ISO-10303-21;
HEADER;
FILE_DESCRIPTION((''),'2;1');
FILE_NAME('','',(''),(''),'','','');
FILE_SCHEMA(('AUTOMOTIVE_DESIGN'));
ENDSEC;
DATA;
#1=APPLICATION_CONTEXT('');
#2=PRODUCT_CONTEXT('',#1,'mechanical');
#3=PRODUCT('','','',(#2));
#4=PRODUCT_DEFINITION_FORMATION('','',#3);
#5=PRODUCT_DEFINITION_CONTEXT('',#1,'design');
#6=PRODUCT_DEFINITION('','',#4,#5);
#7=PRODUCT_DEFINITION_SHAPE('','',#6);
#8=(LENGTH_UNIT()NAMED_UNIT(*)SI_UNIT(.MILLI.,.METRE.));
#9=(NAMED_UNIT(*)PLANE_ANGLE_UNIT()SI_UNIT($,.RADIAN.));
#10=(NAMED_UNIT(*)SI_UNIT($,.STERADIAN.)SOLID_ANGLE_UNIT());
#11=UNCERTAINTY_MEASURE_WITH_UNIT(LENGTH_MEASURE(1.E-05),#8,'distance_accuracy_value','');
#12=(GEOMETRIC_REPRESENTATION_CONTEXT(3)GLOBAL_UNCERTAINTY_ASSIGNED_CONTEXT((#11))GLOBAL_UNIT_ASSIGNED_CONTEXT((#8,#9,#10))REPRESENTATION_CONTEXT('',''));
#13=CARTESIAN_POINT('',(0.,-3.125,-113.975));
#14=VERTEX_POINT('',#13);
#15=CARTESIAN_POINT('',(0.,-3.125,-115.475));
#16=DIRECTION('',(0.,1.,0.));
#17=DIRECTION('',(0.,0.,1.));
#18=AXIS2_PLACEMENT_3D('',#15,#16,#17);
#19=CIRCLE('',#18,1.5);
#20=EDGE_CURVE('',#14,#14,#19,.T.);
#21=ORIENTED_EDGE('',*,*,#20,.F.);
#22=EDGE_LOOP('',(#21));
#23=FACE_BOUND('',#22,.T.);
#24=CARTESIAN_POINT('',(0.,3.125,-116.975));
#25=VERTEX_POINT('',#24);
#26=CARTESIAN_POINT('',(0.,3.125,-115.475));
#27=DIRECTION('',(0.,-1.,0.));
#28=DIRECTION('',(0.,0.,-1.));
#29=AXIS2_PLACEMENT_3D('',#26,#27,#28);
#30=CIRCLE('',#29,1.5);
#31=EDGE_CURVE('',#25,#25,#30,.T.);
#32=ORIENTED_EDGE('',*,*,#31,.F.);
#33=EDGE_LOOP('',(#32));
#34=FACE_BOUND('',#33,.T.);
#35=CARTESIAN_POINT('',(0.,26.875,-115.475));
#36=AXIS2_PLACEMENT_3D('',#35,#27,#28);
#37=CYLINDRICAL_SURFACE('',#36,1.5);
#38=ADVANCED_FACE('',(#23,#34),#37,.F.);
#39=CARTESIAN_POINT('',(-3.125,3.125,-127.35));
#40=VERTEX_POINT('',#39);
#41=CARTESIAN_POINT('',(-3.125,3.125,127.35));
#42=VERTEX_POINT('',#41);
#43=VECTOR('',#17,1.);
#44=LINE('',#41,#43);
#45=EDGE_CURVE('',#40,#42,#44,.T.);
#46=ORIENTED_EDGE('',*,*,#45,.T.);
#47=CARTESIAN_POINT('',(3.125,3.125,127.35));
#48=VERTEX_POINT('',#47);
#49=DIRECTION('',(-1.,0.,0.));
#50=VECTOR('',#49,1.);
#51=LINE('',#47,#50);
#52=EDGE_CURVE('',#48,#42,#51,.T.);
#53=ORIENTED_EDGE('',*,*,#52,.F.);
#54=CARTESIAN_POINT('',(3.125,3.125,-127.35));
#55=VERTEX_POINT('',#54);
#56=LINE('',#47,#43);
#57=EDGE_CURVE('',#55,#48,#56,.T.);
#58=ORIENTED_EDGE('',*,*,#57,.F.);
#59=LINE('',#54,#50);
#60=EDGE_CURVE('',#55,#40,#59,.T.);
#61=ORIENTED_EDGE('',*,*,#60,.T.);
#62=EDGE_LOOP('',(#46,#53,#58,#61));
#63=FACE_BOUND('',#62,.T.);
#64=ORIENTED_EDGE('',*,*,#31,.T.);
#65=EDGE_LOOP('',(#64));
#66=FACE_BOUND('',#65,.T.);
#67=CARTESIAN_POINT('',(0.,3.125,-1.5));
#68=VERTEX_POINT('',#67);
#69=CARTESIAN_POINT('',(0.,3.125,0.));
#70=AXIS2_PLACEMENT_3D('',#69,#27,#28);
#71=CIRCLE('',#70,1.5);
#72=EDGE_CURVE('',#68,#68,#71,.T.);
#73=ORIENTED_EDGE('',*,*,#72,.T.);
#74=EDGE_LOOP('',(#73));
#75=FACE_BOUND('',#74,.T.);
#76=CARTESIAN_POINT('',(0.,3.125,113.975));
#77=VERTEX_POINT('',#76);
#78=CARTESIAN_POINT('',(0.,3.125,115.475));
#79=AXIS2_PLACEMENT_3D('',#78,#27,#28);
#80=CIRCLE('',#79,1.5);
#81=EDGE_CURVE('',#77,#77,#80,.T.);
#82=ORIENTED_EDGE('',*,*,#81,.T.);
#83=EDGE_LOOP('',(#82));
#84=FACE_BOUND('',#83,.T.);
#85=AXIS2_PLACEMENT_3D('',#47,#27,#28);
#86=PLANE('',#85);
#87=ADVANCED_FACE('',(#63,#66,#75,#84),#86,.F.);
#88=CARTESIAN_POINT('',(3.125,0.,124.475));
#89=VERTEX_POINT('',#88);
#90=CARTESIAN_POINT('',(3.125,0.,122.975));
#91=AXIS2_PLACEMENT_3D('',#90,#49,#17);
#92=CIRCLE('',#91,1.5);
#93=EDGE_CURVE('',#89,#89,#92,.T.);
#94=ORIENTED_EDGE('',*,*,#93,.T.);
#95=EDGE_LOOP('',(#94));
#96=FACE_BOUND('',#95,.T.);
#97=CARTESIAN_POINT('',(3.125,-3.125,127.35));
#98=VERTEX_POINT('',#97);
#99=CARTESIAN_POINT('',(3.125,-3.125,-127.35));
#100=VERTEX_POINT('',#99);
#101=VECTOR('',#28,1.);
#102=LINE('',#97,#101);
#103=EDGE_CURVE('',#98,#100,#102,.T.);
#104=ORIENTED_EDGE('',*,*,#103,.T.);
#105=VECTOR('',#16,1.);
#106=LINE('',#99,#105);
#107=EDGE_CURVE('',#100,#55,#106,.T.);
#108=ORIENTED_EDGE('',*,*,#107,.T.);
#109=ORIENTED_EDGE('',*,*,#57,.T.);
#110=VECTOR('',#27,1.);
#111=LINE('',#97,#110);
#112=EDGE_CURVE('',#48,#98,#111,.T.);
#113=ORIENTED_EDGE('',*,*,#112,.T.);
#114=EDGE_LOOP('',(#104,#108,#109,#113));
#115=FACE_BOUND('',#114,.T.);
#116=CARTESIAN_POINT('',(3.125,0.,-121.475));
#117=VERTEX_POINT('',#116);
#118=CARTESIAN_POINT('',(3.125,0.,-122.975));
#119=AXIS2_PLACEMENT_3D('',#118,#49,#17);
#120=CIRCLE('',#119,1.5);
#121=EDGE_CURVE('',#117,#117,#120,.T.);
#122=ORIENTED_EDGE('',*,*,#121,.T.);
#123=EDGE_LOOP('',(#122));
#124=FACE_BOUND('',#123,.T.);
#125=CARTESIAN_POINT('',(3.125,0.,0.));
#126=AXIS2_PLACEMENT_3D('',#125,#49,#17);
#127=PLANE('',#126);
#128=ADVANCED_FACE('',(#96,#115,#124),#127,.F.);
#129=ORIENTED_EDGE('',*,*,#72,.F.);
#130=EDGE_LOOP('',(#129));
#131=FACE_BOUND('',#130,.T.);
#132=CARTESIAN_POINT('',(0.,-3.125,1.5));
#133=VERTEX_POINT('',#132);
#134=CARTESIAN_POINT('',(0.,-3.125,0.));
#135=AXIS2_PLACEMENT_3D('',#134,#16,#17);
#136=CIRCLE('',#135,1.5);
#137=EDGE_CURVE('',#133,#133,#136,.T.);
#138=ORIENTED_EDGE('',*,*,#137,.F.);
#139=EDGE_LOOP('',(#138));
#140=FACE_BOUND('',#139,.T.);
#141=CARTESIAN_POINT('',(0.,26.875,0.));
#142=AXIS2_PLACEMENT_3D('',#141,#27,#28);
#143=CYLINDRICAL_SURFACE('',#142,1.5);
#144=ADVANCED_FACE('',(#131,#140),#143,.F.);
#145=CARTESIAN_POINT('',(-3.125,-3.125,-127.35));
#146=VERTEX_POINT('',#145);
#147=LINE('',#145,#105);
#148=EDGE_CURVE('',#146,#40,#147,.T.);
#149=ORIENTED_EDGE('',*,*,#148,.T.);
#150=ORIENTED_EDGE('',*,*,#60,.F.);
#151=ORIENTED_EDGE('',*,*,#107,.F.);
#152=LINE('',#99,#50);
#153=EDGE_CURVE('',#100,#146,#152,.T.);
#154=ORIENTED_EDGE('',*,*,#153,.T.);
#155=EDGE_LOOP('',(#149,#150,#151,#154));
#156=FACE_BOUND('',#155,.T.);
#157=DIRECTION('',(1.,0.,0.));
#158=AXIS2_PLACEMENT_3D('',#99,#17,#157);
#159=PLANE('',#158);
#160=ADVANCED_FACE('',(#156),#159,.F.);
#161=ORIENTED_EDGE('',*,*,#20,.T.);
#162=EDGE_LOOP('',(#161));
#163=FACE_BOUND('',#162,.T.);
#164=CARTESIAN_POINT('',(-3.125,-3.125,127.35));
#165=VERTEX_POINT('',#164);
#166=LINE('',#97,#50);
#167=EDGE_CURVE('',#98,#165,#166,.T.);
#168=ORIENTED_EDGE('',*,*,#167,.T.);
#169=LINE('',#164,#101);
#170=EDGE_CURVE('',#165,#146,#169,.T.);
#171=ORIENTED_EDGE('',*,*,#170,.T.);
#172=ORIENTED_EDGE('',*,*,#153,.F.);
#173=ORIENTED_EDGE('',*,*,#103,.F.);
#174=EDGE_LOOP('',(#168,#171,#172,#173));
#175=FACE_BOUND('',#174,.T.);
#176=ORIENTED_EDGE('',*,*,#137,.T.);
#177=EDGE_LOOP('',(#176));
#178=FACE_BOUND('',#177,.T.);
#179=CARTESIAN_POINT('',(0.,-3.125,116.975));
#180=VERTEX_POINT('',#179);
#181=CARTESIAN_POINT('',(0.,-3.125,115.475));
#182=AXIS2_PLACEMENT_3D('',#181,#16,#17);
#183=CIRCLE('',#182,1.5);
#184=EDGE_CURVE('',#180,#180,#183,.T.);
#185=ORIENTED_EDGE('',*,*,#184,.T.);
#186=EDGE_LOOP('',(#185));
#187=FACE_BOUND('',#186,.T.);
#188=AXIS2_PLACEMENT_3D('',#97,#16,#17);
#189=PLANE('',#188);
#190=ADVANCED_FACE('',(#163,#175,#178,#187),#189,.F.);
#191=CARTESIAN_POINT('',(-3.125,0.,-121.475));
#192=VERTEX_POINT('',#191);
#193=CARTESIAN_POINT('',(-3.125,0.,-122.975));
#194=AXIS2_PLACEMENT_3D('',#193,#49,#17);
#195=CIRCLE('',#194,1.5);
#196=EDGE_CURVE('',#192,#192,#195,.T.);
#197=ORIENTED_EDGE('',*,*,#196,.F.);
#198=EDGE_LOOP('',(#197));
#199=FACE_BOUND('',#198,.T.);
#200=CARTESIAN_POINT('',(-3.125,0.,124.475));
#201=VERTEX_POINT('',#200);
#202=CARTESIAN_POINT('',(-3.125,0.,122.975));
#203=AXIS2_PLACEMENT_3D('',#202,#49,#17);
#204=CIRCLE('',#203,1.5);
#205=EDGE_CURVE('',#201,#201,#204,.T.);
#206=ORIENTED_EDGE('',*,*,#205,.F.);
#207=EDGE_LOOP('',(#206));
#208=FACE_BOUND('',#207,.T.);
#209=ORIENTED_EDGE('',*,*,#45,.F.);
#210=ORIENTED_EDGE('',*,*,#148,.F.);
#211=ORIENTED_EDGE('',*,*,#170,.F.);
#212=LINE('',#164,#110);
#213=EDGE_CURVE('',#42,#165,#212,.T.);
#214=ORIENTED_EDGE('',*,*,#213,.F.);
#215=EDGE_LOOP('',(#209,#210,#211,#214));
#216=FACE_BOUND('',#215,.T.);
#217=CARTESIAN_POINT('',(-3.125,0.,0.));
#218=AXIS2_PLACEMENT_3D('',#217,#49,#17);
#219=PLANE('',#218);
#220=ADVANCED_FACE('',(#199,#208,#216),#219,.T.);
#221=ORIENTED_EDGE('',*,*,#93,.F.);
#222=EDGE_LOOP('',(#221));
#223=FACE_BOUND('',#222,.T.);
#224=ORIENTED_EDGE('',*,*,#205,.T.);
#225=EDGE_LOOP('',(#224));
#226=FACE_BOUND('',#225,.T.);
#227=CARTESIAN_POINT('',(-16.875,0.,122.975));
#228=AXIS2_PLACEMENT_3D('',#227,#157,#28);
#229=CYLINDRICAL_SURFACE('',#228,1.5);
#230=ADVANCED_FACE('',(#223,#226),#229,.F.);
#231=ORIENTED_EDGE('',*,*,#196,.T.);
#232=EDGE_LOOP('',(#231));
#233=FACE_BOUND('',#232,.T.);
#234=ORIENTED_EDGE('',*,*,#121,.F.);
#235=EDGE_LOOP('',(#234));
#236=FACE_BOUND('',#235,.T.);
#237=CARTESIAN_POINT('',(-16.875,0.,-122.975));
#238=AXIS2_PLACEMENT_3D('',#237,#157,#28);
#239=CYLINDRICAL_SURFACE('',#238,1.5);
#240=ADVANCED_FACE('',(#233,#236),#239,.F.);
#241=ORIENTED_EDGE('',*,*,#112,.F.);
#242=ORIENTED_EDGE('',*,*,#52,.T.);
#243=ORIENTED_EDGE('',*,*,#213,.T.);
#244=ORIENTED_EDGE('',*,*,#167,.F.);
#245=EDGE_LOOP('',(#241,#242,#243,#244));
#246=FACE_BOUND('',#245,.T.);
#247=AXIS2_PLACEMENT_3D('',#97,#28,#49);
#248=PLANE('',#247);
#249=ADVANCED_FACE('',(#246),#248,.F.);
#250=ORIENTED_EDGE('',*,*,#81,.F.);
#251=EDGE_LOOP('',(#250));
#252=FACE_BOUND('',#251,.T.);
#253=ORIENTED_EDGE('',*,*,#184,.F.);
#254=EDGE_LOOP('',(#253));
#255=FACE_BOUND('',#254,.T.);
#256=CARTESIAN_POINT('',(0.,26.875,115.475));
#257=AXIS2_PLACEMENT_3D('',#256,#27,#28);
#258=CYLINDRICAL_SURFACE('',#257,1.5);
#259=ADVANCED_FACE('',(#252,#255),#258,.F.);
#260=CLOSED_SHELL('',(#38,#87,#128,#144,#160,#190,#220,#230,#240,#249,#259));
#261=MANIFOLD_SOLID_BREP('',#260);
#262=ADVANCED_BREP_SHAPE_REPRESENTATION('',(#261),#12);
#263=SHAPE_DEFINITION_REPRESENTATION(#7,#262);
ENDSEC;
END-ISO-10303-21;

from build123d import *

# Parameters (mm, degrees)
CROQUIS1_W              = 254.7
CROQUIS1_H              = 6.25
SALIENTE_EXTRUIR1_DEPTH = 3.125
CROQUIS2_R              = 1.5
CORTAR_EXTRUIR1_DEPTH   = 20
CROQUIS3_R              = 1.5
CORTAR_EXTRUIR2_DEPTH   = 30


with BuildPart() as part:
    # Croquis1 → Saliente-Extruir1 (new, symmetric)
    with BuildSketch(Plane(origin=(0, 0, 0), x_dir=(0, 0, -1), z_dir=(1, 0, 0))):
        Rectangle(CROQUIS1_W, CROQUIS1_H)
    extrude(amount=SALIENTE_EXTRUIR1_DEPTH, both=True)

    # Croquis2 → Cortar-Extruir1 (cut, symmetric)
    with BuildSketch(Plane(origin=(3.125, 0, 0), x_dir=(0, 0, -1), z_dir=(1, 0, 0))):
        with Locations(Location((-122.975, 0, 0), (0, 0, 180))):
            Circle(CROQUIS2_R)
        with Locations(Location((122.975, 0, 0), (0, 0, 180))):
            Circle(CROQUIS2_R)
    extrude(amount=CORTAR_EXTRUIR1_DEPTH, both=True, mode=Mode.SUBTRACT)

    # Croquis3 → Cortar-Extruir2 (cut, symmetric)
    with BuildSketch(Plane.XZ.offset(3.125)):
        with Locations(Location((0, 115.475, 0), (0, 0, 270))):
            Circle(CROQUIS3_R)
        with Locations(Location((0, -115.475, 0), (0, 0, 270))):
            Circle(CROQUIS3_R)
        with Locations(Location((0, 0, 0), (0, 0, 270))):
            Circle(CROQUIS3_R)
    extrude(amount=CORTAR_EXTRUIR2_DEPTH, both=True, mode=Mode.SUBTRACT)


solid = part.part
